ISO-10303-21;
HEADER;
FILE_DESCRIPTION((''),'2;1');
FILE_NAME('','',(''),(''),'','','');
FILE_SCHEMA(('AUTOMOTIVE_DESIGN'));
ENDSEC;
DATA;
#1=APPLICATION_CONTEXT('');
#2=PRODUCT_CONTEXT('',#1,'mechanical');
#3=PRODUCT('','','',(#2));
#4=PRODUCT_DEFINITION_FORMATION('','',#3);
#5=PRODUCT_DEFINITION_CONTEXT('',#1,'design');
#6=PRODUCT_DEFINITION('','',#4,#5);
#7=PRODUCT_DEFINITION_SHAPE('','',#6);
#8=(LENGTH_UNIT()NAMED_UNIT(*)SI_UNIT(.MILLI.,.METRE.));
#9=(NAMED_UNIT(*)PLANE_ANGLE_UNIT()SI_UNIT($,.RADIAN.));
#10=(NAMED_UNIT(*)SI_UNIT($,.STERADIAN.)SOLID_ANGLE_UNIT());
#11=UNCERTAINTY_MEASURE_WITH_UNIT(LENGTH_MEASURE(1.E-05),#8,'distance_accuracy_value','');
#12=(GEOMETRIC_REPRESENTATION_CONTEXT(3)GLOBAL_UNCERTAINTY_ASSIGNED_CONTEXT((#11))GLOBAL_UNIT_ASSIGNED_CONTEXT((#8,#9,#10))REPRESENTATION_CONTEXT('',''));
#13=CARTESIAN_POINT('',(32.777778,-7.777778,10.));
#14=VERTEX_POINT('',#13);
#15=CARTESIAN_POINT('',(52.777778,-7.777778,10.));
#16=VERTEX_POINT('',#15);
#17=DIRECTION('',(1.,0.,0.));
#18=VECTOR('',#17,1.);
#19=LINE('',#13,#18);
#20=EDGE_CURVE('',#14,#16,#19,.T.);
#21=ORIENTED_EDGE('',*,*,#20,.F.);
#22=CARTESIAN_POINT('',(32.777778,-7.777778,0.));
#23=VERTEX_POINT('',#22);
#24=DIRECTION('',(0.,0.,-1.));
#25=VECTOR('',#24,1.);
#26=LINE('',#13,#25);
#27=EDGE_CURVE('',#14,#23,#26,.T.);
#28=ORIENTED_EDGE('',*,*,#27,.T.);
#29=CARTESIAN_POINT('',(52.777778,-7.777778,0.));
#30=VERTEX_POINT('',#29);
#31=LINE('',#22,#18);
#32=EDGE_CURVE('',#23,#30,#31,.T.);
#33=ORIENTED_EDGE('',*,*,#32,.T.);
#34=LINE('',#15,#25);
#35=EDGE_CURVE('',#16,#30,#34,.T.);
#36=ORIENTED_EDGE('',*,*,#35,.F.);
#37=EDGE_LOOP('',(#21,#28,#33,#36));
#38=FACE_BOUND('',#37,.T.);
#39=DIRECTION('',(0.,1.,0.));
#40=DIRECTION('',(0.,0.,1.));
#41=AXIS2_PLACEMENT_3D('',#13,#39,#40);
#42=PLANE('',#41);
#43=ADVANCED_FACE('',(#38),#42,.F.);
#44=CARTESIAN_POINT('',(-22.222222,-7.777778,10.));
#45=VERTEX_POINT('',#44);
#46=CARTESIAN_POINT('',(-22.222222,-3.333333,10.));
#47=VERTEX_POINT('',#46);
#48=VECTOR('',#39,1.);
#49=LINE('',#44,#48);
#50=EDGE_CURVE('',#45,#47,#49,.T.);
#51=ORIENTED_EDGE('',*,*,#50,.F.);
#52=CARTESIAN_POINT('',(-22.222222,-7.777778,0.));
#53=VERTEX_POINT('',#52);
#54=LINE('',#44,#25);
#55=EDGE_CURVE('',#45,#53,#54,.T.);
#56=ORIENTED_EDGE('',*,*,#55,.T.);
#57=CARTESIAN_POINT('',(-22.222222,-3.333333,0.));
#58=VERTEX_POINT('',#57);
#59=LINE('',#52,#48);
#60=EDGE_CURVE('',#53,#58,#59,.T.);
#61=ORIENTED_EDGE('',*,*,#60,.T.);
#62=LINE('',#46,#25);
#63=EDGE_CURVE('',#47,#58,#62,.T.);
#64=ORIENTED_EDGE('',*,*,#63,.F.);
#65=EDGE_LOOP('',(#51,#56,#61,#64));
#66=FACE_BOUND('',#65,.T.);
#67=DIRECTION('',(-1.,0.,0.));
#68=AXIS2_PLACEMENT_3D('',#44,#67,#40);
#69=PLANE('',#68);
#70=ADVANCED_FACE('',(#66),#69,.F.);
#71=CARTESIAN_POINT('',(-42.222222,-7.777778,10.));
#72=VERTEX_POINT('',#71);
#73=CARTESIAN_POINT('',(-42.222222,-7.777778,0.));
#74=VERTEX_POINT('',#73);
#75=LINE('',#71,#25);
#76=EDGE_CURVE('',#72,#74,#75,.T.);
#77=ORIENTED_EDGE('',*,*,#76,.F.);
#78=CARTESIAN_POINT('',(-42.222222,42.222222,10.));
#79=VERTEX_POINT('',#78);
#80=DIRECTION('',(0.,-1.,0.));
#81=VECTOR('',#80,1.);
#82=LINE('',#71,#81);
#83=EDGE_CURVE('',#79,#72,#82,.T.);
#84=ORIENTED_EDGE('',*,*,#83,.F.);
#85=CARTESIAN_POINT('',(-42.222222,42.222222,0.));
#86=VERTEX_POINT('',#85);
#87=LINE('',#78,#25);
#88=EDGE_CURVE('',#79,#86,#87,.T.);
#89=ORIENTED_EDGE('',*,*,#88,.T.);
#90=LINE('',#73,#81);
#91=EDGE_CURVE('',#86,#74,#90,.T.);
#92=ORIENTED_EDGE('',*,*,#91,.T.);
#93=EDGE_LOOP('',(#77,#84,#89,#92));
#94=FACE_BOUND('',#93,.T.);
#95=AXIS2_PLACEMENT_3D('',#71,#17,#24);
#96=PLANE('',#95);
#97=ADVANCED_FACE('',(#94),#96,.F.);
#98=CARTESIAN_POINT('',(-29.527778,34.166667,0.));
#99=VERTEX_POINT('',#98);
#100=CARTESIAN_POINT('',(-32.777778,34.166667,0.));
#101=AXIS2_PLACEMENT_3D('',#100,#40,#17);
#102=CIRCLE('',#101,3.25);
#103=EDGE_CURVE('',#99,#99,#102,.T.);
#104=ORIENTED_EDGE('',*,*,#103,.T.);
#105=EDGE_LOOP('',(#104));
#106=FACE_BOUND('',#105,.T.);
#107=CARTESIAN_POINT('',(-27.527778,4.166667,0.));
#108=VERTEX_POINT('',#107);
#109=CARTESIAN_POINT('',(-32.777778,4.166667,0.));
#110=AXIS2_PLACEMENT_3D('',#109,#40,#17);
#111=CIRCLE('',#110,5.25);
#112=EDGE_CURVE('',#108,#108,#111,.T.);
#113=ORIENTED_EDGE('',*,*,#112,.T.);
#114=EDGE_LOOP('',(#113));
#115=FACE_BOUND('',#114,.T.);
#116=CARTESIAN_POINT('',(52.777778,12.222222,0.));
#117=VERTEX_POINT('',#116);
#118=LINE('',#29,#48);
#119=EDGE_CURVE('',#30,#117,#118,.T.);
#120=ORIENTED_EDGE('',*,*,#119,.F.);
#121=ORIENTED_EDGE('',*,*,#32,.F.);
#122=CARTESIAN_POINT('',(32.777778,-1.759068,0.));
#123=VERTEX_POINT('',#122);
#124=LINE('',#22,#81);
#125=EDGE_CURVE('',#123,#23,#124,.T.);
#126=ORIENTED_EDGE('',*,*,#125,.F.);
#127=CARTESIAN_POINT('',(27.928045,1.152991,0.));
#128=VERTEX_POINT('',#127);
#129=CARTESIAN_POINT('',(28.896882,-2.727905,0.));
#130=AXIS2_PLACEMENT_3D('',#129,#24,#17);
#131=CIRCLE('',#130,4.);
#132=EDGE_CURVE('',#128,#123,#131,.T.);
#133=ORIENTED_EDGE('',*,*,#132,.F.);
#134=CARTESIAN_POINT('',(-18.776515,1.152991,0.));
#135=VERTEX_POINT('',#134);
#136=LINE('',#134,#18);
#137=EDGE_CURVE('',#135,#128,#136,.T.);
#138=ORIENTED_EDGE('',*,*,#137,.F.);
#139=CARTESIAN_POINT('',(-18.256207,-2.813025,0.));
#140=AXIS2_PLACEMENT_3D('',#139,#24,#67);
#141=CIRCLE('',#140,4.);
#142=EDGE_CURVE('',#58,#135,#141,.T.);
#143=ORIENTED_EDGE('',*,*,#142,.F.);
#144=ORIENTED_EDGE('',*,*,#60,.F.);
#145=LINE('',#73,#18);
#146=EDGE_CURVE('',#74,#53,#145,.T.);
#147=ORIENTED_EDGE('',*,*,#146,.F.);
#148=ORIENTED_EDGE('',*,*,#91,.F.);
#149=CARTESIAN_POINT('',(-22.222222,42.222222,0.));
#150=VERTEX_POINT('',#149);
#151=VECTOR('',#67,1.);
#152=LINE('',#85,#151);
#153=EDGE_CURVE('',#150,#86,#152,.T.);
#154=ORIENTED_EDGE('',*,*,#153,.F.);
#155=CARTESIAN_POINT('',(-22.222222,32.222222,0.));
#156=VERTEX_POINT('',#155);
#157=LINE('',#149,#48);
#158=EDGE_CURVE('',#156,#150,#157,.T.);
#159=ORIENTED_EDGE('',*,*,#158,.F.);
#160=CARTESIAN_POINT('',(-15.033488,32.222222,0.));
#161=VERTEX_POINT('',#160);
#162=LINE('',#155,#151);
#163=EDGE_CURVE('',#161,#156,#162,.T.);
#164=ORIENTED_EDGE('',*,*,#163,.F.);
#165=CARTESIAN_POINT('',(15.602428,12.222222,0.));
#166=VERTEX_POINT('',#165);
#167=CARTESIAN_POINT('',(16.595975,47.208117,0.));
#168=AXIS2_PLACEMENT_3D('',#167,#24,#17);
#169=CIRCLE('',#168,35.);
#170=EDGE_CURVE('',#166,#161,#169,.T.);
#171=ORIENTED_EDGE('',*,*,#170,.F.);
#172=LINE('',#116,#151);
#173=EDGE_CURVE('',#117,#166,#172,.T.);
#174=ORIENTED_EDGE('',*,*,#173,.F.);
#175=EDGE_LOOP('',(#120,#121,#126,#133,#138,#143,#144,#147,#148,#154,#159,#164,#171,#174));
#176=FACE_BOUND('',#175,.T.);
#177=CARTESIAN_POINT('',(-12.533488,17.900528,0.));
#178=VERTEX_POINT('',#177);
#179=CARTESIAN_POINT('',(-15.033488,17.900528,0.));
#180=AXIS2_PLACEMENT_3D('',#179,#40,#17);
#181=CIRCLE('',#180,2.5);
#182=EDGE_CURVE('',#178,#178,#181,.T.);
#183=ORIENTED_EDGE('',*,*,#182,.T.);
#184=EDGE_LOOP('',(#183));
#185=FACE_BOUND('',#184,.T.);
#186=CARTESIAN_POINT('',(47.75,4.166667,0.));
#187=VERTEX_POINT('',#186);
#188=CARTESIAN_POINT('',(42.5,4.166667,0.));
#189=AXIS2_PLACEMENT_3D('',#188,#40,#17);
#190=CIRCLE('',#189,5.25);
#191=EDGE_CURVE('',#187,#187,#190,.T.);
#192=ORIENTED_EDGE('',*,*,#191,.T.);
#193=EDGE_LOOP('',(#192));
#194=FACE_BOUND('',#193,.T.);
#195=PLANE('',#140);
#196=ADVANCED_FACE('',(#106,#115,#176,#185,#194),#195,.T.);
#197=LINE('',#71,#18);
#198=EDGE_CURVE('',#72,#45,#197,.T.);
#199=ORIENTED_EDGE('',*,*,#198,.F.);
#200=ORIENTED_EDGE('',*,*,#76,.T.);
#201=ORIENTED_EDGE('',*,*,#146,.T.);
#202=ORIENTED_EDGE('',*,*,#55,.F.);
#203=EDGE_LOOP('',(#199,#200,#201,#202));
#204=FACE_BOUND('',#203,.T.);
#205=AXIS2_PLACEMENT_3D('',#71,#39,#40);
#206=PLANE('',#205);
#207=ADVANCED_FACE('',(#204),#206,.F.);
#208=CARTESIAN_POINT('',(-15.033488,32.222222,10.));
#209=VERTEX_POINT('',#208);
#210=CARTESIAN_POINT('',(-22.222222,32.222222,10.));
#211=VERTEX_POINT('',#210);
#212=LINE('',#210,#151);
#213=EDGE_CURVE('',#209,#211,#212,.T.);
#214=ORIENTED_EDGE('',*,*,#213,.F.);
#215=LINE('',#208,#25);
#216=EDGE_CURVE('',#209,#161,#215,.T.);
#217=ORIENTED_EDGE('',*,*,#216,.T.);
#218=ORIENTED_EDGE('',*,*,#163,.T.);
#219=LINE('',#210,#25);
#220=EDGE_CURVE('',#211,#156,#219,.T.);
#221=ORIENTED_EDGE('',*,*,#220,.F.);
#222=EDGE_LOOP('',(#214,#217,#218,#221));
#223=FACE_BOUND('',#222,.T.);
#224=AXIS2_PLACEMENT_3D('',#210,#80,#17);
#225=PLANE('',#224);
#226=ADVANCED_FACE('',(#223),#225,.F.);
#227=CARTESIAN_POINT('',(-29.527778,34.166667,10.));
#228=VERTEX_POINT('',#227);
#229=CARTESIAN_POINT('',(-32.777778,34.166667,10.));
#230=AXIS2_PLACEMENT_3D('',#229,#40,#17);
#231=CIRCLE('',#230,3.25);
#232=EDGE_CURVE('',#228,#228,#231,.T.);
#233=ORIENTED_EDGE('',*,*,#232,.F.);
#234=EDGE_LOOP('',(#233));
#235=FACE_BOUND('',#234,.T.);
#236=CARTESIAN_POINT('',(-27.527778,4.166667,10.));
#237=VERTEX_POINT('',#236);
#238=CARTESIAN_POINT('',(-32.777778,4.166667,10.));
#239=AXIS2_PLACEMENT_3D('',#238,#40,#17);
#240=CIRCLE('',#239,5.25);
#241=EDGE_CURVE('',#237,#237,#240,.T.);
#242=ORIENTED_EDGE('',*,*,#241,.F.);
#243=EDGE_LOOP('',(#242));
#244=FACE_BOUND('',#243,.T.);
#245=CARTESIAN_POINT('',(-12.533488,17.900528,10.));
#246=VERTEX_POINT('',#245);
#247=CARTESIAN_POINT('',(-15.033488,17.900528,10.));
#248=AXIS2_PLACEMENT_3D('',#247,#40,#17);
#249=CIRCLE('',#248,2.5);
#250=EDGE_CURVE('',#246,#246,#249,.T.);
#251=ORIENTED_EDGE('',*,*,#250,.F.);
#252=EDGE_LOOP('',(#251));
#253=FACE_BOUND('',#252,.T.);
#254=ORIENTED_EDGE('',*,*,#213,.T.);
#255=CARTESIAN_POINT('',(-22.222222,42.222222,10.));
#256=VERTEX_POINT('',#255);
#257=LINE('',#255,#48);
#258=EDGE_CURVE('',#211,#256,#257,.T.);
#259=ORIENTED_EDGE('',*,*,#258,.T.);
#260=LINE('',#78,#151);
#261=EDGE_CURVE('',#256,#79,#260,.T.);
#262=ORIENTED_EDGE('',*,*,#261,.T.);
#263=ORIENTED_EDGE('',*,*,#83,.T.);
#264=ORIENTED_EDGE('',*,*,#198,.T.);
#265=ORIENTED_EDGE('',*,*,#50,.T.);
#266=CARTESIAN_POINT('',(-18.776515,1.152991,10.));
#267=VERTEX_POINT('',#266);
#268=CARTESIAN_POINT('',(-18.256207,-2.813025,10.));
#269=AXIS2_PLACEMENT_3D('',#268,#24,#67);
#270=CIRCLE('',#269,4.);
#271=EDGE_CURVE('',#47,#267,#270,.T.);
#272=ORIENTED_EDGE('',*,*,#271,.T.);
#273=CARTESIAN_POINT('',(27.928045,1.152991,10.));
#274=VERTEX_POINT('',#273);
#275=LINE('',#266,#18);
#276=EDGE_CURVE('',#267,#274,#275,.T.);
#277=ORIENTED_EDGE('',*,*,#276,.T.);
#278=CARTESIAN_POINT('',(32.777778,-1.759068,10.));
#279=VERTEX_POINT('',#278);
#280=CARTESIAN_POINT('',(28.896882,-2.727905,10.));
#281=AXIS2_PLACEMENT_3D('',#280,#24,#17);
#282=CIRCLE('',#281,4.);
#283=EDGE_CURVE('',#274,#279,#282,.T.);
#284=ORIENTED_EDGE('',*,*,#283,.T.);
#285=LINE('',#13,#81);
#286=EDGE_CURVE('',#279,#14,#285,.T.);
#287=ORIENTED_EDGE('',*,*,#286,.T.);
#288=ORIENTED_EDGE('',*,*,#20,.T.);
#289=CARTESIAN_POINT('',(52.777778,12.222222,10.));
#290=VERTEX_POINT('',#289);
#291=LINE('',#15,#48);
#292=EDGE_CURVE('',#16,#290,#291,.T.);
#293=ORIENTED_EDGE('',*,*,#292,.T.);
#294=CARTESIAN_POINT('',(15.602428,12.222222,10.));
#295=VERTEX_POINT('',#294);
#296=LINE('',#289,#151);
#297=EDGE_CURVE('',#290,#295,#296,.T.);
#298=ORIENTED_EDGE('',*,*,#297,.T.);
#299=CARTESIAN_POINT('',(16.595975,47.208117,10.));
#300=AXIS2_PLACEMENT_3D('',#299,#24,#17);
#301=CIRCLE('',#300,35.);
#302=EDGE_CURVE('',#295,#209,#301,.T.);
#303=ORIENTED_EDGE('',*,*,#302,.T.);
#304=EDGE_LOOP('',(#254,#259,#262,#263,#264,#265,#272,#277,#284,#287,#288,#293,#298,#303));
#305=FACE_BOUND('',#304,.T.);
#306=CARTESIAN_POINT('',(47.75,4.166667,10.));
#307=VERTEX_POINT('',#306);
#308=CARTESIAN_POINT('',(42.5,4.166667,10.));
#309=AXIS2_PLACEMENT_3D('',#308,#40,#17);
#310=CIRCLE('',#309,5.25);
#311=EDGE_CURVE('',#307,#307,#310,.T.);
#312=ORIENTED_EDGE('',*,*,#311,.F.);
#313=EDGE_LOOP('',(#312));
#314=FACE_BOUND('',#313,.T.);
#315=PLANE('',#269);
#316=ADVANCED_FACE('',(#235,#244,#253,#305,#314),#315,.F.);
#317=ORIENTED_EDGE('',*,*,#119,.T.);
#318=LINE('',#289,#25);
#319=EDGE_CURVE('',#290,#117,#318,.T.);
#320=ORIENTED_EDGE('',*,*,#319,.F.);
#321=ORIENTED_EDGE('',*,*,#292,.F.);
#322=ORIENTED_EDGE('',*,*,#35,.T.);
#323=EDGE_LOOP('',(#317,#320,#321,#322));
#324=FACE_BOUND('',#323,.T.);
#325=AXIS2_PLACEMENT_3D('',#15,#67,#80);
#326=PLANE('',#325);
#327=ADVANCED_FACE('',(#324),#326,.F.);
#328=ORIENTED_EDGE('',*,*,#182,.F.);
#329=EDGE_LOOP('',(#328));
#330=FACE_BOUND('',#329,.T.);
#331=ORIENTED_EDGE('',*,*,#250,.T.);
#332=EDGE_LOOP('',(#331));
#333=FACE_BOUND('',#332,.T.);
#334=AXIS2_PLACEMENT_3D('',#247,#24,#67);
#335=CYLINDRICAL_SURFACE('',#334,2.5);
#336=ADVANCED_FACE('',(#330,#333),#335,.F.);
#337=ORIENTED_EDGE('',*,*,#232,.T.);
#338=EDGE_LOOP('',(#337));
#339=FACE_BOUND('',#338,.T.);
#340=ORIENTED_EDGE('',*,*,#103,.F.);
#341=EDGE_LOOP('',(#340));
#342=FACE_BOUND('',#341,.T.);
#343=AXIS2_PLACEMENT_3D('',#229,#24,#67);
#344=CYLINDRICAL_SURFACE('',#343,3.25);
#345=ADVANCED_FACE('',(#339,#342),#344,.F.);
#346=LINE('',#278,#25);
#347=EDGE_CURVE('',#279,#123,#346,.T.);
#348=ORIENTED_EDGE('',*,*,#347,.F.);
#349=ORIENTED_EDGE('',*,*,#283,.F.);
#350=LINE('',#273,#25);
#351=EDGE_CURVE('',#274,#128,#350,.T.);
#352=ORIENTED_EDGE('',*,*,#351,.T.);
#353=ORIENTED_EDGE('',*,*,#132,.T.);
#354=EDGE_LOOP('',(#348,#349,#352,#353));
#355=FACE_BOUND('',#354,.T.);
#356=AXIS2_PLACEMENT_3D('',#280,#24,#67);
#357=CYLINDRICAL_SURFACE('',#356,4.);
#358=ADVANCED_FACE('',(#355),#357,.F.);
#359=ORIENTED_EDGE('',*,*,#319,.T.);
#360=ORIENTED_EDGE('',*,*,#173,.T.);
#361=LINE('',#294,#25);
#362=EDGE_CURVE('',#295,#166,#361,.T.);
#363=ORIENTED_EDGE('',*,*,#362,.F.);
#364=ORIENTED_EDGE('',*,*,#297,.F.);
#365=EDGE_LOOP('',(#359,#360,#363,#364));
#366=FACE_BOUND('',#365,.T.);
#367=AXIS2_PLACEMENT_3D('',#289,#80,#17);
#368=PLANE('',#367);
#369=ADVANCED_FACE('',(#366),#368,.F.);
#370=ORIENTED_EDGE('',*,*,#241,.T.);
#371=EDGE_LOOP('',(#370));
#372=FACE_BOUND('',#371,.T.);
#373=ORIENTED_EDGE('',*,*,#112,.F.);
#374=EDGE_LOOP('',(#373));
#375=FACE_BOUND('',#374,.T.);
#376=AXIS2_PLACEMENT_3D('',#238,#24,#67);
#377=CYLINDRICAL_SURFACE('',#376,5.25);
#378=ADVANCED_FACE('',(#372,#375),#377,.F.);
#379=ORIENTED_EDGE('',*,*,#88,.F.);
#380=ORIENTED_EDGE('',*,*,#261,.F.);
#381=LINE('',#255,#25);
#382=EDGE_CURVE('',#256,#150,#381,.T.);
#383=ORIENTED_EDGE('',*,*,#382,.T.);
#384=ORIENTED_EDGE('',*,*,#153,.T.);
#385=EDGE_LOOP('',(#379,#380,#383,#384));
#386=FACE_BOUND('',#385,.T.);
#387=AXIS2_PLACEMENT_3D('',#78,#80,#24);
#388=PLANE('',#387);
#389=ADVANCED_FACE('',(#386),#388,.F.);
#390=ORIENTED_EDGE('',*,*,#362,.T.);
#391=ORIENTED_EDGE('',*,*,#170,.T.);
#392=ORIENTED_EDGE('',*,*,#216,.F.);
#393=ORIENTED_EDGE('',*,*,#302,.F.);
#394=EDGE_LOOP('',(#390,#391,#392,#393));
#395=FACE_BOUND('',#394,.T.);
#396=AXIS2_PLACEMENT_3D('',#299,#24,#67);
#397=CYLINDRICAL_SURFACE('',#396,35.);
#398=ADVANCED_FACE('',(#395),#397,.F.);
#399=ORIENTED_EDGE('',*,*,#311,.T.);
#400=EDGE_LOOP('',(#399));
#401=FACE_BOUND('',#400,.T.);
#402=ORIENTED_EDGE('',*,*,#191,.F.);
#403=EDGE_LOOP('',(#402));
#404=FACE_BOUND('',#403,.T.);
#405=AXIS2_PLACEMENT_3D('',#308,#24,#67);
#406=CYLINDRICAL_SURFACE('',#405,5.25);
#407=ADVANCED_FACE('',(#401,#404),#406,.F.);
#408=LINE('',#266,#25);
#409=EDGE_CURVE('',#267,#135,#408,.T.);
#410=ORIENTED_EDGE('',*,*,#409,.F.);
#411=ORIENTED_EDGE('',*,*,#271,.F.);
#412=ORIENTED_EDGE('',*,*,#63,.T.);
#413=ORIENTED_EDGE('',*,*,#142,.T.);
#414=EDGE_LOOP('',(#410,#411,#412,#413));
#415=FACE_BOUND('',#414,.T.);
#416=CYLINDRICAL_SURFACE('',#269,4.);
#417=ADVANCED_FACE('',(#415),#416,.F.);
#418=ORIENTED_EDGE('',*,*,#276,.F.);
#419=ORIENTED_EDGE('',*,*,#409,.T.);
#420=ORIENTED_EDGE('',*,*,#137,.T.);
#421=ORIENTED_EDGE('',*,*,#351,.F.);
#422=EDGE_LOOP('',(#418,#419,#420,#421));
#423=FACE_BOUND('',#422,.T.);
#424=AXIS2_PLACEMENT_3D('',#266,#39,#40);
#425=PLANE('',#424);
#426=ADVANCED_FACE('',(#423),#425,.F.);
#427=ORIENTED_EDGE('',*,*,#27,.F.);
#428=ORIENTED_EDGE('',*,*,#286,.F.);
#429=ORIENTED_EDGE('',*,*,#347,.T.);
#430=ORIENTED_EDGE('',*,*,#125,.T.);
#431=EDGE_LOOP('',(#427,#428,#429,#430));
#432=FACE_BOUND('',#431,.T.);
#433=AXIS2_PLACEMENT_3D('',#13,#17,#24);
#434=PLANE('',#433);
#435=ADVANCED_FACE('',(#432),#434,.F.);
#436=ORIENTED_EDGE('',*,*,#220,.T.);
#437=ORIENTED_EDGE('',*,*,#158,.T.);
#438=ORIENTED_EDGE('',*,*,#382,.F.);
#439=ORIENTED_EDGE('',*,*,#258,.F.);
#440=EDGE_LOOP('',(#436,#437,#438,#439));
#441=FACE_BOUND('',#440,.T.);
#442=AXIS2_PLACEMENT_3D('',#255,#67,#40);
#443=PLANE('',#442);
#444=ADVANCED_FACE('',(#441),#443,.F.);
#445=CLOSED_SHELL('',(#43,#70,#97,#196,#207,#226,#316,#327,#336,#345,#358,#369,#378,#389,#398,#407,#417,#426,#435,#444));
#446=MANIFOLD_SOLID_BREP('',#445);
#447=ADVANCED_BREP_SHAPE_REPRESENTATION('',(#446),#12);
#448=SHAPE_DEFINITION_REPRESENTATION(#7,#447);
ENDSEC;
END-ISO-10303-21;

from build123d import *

# Parameters (mm, degrees)
SKETCH1_R           = 3.25
SKETCH1_R_2         = 5.25
SKETCH1_R_3         = 2.5
BOSS_EXTRUDE1_DEPTH = 10


with BuildPart() as part:
    # Sketch1 → Boss-Extrude1 (new body)
    with BuildSketch(Plane.XY):
        with BuildLine():
            Line((-42.222222222, -7.777777778), (-42.222222222, 42.222222222))
            Line((-42.222222222, 42.222222222), (-22.222222222, 42.222222222))
            Line((-22.222222222, 42.222222222), (-22.222222222, 32.222222222))
            Line((-22.222222222, 32.222222222), (-15.033488385, 32.222222222))
            ThreePointArc((-15.033488385, 32.222222222), (-2.53685568, 17.900528045), (15.60242755, 12.222222222))
            Line((15.60242755, 12.222222222), (52.777777778, 12.222222222))
            Line((52.777777778, 12.222222222), (52.777777778, -7.777777778))
            Line((52.777777778, -7.777777778), (32.777777778, -7.777777778))
            Line((32.777777778, -7.777777778), (32.777777778, -1.759068459))
            ThreePointArc((32.777777778, -1.759068459), (30.956018506, 0.70137381), (27.928044759, 1.152990889))
            Line((27.928044759, 1.152990889), (-18.776515477, 1.152990889))
            ThreePointArc((-18.776515477, 1.152990889), (-21.428517019, -0.376541989), (-22.222222222, -3.333333333))
            Line((-22.222222222, -3.333333333), (-22.222222222, -7.777777778))
            Line((-22.222222222, -7.777777778), (-42.222222222, -7.777777778))
        make_face()
        with Locations((-32.777777778, 34.166666667)):
            Circle(SKETCH1_R, mode=Mode.SUBTRACT)
        with Locations((-32.777777778, 4.166666667)):
            Circle(SKETCH1_R_2, mode=Mode.SUBTRACT)
        with Locations((-15.033488385, 17.900528045)):
            Circle(SKETCH1_R_3, mode=Mode.SUBTRACT)
        with Locations((42.5, 4.166666667)):
            Circle(SKETCH1_R_2, mode=Mode.SUBTRACT)
    extrude(amount=BOSS_EXTRUDE1_DEPTH)


solid = part.part
